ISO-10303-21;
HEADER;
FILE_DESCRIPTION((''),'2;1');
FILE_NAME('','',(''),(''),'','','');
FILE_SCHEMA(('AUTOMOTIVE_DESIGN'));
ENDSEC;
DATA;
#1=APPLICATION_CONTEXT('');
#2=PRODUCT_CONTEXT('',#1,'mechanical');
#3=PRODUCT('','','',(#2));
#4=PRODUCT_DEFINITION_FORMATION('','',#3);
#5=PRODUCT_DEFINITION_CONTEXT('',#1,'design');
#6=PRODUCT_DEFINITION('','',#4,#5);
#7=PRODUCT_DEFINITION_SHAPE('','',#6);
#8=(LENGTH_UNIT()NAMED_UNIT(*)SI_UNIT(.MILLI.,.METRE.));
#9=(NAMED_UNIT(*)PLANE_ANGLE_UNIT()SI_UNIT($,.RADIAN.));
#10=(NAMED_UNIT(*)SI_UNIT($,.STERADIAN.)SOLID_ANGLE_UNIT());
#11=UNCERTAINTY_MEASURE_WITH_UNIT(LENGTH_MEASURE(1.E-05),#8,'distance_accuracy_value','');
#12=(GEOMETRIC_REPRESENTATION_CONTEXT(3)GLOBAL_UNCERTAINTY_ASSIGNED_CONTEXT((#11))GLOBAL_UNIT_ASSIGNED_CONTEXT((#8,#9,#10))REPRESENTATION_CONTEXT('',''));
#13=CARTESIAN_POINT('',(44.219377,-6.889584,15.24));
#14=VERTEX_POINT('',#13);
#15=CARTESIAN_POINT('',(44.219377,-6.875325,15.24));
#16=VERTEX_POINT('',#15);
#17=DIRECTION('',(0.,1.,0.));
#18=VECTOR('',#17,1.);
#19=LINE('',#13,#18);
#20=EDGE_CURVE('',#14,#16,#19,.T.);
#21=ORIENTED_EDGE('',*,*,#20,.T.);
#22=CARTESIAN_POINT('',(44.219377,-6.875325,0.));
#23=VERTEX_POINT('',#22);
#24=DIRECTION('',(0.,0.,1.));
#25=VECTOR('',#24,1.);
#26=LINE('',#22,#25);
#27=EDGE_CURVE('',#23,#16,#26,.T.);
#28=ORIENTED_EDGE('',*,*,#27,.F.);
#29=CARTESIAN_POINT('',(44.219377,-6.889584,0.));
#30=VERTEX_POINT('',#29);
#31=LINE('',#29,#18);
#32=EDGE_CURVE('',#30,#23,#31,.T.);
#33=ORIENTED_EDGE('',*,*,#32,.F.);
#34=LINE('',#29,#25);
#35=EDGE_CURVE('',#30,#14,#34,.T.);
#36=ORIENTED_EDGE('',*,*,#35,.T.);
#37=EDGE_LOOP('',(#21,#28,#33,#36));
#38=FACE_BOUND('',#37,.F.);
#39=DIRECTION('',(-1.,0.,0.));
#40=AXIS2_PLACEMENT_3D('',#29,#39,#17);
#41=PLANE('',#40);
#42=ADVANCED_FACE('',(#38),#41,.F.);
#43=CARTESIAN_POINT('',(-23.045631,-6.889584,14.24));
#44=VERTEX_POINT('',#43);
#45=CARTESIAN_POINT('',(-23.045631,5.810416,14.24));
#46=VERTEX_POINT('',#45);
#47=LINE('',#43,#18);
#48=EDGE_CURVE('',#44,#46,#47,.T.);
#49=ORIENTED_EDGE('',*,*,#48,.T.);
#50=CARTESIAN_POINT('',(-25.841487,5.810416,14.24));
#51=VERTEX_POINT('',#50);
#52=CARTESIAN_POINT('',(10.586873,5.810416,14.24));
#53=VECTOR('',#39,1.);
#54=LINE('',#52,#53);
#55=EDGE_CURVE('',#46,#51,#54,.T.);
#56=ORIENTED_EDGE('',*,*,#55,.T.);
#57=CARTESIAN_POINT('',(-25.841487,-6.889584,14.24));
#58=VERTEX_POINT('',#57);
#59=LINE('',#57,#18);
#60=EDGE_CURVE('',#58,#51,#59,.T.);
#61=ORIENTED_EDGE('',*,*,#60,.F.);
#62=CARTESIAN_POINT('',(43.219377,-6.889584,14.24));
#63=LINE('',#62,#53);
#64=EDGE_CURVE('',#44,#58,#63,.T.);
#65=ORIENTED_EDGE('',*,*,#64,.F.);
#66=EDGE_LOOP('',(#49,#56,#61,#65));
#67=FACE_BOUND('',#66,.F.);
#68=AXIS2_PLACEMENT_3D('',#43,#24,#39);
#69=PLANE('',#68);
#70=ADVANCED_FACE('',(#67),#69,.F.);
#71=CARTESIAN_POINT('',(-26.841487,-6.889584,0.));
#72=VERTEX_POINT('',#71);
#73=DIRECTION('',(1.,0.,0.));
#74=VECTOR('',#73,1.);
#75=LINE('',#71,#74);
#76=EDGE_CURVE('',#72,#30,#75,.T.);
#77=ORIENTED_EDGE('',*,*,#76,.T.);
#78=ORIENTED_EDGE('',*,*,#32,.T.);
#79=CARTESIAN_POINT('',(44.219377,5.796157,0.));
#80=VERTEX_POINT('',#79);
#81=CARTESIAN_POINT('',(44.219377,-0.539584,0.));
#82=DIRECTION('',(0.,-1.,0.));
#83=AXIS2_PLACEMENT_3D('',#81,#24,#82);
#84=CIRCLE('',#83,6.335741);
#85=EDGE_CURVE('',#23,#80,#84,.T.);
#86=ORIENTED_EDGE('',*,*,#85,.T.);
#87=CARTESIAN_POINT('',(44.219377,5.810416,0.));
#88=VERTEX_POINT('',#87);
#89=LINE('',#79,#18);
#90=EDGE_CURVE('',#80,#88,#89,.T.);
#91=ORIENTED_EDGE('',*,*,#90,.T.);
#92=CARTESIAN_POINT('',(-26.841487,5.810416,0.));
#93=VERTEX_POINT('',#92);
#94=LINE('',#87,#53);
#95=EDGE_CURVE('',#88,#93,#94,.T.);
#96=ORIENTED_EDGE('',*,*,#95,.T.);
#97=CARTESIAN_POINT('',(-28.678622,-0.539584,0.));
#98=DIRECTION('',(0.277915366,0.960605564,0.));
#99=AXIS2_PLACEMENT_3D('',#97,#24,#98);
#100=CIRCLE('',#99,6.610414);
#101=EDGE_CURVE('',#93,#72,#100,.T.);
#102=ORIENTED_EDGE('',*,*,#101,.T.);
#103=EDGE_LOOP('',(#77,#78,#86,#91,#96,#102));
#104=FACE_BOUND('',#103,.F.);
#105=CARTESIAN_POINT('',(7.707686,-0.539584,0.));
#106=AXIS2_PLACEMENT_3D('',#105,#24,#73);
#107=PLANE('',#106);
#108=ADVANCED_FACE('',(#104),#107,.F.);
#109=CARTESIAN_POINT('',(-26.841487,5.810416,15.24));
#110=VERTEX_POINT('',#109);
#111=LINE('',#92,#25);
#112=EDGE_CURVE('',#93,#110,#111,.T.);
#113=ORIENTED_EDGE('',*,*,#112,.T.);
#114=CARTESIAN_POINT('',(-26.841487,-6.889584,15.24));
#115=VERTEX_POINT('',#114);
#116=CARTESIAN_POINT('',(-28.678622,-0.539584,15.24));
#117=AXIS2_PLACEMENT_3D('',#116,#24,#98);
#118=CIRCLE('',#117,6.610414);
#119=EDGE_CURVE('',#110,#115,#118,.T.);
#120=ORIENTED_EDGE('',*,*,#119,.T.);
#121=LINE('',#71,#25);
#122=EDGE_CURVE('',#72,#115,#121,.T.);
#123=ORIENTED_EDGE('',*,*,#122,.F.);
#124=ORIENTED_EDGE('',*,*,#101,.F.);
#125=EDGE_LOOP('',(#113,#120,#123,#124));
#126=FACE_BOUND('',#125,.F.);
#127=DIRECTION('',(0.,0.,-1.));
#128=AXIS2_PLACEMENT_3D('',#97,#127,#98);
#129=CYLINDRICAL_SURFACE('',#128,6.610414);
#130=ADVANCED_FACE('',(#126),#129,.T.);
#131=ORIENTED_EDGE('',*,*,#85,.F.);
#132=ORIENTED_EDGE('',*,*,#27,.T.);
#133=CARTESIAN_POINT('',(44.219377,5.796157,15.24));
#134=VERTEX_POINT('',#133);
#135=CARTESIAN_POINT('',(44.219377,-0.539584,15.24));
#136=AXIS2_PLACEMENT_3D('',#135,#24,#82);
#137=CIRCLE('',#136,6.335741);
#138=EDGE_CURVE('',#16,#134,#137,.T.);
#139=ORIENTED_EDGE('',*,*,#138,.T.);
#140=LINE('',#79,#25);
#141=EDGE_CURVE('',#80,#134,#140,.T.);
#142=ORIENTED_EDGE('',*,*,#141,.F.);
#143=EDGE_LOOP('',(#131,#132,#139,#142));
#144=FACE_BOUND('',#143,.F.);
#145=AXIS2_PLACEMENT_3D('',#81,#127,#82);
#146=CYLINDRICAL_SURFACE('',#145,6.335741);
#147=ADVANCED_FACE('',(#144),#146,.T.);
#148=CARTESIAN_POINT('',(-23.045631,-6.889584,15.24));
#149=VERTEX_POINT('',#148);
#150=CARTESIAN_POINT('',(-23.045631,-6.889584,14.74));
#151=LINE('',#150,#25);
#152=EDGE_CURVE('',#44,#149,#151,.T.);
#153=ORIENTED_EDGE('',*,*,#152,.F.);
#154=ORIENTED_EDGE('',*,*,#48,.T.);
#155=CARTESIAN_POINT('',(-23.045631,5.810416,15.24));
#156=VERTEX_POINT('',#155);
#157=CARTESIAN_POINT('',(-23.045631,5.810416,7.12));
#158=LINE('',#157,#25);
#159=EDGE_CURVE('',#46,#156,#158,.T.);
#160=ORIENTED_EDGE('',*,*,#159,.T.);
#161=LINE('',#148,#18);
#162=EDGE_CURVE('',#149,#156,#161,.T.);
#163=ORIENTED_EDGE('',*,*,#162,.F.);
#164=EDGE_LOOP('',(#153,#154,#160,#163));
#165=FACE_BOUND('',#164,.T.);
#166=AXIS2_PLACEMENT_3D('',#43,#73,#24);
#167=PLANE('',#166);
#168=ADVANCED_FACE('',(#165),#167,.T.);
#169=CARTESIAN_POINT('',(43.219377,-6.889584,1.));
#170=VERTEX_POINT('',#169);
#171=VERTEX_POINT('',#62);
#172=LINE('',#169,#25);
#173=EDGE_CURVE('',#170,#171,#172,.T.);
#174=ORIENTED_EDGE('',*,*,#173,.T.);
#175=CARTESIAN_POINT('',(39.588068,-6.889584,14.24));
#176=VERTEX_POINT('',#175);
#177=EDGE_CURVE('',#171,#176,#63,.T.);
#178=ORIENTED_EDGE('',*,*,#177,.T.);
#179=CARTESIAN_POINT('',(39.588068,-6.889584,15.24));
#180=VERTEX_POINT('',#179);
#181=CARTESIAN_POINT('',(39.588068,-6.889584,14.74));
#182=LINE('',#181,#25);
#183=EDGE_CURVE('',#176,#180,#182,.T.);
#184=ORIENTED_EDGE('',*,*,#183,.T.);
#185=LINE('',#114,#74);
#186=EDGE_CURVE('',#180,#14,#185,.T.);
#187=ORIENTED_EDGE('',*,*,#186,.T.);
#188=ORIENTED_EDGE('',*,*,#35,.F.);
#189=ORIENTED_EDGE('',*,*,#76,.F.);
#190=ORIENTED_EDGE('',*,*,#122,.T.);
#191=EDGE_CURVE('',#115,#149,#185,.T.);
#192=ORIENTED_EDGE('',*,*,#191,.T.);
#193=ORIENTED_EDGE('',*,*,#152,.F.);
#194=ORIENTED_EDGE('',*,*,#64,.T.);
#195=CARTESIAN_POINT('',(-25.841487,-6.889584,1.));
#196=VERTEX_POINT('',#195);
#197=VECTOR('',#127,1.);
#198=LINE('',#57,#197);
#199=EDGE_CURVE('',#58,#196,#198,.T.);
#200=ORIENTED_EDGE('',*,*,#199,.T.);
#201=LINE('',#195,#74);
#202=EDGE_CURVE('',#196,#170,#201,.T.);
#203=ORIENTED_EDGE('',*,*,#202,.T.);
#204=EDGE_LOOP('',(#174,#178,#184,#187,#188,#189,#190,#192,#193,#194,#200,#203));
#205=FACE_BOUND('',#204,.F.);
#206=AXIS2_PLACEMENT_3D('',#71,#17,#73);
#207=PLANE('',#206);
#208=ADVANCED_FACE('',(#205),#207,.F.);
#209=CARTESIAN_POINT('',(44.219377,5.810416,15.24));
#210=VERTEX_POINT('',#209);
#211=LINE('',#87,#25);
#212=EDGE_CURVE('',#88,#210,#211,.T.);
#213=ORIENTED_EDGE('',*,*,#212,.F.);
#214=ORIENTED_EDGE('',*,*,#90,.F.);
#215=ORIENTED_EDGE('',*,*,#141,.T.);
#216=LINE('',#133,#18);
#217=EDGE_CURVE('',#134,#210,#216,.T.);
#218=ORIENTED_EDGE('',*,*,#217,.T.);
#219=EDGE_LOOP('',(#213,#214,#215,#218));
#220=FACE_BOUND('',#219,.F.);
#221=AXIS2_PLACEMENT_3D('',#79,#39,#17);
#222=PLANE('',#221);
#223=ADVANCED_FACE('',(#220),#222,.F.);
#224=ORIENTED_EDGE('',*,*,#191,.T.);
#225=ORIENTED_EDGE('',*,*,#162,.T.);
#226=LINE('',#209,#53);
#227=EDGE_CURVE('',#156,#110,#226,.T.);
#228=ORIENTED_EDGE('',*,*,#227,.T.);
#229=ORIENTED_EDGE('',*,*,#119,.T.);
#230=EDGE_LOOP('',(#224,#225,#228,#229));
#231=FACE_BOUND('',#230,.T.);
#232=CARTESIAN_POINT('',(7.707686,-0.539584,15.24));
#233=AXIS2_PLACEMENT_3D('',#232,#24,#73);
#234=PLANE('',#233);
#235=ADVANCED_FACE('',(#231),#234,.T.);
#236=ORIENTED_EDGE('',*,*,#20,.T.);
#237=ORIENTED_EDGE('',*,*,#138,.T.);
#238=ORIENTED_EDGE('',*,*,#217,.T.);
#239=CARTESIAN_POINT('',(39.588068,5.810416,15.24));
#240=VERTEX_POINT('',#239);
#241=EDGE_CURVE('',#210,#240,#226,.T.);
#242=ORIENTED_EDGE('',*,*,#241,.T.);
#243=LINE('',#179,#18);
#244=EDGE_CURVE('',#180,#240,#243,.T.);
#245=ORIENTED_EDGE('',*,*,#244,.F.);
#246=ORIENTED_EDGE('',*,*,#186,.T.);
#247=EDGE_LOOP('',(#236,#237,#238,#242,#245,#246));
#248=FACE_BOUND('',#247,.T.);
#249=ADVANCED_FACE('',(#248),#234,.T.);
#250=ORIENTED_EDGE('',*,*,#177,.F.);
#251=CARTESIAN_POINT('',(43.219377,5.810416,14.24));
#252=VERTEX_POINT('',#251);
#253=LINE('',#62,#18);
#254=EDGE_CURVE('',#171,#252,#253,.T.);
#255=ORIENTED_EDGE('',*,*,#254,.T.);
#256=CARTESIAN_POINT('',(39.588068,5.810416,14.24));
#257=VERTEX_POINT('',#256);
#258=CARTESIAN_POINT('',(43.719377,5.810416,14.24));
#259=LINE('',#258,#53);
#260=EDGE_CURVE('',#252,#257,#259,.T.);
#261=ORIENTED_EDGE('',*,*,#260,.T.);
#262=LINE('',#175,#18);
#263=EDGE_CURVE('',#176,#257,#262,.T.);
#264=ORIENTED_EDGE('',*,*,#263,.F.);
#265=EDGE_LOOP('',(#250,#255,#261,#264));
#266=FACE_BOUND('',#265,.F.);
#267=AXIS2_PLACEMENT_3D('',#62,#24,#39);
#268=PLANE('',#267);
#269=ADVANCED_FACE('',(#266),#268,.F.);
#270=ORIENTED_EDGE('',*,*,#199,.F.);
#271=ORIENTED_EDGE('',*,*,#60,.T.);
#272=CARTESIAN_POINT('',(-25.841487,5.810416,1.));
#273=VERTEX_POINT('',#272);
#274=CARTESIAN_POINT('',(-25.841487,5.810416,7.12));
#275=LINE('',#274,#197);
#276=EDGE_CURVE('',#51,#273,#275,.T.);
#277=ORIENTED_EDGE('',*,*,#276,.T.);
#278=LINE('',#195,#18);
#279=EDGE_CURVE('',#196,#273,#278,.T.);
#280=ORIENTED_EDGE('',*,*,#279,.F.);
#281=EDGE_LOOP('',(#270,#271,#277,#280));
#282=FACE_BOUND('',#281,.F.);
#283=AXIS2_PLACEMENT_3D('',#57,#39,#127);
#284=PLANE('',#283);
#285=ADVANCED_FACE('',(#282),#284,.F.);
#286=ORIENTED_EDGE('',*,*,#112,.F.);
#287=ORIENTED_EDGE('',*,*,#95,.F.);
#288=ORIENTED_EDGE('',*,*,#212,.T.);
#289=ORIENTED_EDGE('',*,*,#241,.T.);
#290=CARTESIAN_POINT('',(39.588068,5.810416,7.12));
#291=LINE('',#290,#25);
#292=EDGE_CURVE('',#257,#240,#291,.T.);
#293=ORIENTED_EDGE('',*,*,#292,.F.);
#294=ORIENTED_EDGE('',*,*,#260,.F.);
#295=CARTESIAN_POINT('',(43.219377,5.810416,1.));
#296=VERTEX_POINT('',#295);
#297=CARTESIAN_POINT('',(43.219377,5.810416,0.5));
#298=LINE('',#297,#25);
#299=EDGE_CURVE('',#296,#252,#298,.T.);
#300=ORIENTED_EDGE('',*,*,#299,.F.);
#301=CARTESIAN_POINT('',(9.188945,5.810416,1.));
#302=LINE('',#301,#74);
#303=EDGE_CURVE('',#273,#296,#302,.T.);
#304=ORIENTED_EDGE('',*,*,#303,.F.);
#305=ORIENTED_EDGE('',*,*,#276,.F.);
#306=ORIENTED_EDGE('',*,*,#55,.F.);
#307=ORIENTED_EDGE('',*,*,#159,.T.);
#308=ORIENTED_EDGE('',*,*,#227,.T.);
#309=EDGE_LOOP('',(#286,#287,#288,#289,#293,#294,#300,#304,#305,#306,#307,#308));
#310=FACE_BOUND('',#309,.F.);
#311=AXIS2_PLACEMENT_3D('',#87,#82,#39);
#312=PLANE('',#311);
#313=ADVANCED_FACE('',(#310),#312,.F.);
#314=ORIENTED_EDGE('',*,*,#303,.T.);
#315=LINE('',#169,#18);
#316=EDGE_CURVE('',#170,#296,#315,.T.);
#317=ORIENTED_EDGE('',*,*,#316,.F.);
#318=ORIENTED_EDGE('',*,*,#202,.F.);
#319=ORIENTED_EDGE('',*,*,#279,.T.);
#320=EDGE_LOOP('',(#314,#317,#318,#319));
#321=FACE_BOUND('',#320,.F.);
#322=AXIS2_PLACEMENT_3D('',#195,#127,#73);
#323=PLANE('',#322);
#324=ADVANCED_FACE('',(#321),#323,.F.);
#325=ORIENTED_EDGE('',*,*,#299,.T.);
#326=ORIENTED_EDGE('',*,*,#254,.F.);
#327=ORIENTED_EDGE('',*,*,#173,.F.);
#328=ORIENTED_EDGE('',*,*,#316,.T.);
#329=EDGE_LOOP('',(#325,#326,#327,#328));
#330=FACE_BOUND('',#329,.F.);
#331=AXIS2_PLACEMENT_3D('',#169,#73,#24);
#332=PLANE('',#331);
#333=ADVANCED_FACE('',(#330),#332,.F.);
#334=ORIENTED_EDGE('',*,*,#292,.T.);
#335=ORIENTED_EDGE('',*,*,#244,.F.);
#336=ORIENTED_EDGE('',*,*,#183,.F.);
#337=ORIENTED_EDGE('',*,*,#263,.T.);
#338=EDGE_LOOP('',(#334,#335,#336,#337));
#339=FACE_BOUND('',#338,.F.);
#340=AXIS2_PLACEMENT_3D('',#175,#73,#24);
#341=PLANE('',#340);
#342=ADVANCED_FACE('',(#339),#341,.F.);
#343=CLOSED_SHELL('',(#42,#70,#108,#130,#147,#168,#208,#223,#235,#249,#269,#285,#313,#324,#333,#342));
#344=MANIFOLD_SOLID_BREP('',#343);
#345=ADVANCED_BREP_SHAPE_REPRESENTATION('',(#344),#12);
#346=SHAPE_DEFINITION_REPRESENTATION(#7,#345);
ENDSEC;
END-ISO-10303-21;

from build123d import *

# Parameters (mm, degrees)
F1_DEPTH = 15.24
F2_W     = 4.192693
F2_H     = 1
F2_W_2   = 58.441006
F3_DEPTH = 25.4


with BuildPart() as f1:
    # F0 (on Top) → F1 (new body)
    with BuildSketch(Plane.XY):
        with BuildLine():
            Line((44.219377, 5.810416), (-26.841487, 5.810416))
            ThreePointArc((-26.841487, 5.810416), (-35.289036, -0.539584), (-26.841487, -6.889584))
            Line((-26.841487, -6.889584), (44.219377, -6.889584))
            Line((44.219377, -6.889584), (44.219377, -6.875325))
            ThreePointArc((44.219377, -6.875325), (50.555118, -0.539584), (44.219377, 5.796157))
            Line((44.219377, 5.796157), (44.219377, 5.810416))
        make_face()
    extrude(amount=F1_DEPTH)

    # F2 (on face) → F3 (cut)
    with BuildSketch(Plane.XZ.offset(6.889584)):
        Polygon((-25.841487, 14.24), (-25.841487, 1), (43.219377, 1), (43.219377, 14.24), (39.588068, 14.24), (-18.852938, 14.24), (-23.045631, 14.24), align=None)
        with Locations((-20.949284, 14.74)):
            Rectangle(F2_W, F2_H)
        with Locations((10.367565, 14.74)):
            Rectangle(F2_W_2, F2_H)
    extrude(amount=-F3_DEPTH, mode=Mode.SUBTRACT)


solid = f1.part
